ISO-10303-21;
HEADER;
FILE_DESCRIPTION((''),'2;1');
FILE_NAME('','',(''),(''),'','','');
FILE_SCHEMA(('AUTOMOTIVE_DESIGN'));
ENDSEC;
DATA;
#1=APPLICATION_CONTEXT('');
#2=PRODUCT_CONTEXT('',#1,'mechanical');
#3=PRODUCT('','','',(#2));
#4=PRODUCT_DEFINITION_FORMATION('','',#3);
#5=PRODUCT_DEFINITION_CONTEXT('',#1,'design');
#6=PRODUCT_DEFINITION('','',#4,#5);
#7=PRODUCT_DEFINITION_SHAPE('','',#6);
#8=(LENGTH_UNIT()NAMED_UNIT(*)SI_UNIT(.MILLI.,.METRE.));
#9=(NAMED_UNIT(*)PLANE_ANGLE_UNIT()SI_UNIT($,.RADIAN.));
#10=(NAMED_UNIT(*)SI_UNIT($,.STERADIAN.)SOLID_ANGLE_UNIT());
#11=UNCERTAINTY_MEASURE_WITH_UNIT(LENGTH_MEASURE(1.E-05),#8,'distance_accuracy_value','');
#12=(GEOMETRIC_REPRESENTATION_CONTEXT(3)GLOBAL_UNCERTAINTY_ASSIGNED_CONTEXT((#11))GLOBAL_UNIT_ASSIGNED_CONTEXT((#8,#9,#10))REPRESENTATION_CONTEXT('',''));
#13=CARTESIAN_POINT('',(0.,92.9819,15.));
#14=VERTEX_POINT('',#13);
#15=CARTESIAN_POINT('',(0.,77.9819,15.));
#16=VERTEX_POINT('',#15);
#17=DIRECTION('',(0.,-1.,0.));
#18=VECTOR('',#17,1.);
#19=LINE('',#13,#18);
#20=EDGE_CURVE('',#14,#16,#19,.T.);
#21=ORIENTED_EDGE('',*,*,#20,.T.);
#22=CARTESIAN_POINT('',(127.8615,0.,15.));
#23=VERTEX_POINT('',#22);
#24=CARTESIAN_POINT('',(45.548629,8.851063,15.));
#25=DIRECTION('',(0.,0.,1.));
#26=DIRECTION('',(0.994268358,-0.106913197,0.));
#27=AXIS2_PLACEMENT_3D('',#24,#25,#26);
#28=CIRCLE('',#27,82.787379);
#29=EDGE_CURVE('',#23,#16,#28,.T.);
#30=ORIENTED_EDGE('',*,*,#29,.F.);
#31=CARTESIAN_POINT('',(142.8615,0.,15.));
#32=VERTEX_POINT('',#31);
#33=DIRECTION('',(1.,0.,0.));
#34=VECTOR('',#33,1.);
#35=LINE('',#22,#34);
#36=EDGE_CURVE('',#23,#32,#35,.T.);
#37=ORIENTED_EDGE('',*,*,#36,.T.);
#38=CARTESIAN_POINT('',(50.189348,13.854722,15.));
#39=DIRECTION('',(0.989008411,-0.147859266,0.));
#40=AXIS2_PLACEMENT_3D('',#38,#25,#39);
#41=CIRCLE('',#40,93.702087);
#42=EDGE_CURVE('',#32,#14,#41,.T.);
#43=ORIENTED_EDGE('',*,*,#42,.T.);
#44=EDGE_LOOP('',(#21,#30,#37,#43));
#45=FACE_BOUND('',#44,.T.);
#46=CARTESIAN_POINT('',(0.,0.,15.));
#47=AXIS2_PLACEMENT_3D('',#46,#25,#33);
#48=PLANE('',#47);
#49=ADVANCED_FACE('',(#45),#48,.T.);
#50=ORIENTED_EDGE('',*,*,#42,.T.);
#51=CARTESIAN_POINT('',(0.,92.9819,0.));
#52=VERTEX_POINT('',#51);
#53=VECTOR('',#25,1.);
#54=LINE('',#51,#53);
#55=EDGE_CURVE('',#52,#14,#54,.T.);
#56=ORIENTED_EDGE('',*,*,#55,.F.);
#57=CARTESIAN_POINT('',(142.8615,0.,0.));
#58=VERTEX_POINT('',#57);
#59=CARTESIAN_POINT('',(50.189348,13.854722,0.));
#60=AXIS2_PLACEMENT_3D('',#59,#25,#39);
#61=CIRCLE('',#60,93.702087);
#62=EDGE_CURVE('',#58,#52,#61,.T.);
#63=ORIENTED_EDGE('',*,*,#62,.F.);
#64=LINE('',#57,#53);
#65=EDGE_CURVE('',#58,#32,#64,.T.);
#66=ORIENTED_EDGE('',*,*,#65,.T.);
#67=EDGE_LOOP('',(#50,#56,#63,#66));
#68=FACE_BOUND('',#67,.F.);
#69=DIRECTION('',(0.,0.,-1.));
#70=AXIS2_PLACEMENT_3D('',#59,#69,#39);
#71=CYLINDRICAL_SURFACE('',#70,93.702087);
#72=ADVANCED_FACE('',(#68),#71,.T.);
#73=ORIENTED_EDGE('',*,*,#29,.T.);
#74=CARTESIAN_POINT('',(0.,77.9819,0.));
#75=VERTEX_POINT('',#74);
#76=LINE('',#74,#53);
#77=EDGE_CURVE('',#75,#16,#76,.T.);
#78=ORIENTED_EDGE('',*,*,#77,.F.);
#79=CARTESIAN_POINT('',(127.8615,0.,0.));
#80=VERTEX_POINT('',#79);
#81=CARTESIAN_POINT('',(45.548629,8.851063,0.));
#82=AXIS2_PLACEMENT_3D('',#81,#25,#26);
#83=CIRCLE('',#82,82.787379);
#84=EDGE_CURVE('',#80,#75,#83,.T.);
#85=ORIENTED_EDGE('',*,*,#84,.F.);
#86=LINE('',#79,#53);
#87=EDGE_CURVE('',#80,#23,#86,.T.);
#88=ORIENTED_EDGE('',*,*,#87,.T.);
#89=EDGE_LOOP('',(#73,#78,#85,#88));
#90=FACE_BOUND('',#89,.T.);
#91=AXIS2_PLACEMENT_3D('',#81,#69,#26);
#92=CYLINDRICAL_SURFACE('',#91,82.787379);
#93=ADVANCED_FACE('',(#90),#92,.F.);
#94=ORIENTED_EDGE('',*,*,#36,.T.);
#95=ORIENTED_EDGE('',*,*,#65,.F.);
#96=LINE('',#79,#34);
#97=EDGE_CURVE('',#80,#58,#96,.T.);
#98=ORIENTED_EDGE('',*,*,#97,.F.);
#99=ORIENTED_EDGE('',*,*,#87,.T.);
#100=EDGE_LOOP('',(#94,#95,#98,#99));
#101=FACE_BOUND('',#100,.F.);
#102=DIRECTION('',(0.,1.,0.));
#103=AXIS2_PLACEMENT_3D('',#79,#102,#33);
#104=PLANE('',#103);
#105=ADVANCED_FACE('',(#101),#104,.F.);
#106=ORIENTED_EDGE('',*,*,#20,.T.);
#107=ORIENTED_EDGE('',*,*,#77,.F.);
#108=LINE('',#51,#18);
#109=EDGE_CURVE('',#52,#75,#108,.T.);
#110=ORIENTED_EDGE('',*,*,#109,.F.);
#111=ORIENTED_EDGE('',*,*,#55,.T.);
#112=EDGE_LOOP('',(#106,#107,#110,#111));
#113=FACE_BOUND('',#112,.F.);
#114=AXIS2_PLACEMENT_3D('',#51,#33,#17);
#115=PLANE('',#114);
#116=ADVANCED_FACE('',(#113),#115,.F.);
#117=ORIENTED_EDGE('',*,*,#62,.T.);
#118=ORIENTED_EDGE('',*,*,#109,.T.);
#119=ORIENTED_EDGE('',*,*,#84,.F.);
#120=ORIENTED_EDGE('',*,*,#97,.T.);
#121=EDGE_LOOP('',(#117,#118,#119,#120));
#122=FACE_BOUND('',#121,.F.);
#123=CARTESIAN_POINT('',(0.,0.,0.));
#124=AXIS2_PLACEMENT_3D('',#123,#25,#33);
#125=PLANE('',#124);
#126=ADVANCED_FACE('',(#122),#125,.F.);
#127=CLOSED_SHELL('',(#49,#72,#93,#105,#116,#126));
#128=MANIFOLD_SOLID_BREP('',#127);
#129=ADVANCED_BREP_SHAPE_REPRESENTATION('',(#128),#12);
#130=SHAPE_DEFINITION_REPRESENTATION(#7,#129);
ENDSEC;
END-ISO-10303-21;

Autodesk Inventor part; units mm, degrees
ref_plane "YZ Plane" through (0, 0, 0) normal (1, 0, 0) x (0, 1, 0)
ref_plane "XZ Plane" through (0, 0, 0) normal (0, 1, 0) x (-1, 0, 0)
ref_plane "XY Plane" through (0, 0, 0) normal (0, 0, 1) x (1, 0, 0)
sketch "Sketch1" plane through (0, 0, 0) normal (0, 0, 1) x (1, 0, 0)
  arc A0 (142.8615, 0) -> (0, 92.9819) centre (50.1893, 13.8547) ccw
  arc A1 (127.8615, 0) -> (0, 77.9819) centre (45.5485, 8.851) ccw
  line L0 (0, 92.9819) -> (0, 77.9819)
  line L1 (127.8615, 0) -> (143.5843, 0)
  point P0 (0, 0)
  point P1 (142.8615, 0)
  dimension "d0" = 15
  dimension "d2" = 15
extrude "Extrusion1" add sketch "Sketch1" along normal blind 15
properties part number "Tube"
